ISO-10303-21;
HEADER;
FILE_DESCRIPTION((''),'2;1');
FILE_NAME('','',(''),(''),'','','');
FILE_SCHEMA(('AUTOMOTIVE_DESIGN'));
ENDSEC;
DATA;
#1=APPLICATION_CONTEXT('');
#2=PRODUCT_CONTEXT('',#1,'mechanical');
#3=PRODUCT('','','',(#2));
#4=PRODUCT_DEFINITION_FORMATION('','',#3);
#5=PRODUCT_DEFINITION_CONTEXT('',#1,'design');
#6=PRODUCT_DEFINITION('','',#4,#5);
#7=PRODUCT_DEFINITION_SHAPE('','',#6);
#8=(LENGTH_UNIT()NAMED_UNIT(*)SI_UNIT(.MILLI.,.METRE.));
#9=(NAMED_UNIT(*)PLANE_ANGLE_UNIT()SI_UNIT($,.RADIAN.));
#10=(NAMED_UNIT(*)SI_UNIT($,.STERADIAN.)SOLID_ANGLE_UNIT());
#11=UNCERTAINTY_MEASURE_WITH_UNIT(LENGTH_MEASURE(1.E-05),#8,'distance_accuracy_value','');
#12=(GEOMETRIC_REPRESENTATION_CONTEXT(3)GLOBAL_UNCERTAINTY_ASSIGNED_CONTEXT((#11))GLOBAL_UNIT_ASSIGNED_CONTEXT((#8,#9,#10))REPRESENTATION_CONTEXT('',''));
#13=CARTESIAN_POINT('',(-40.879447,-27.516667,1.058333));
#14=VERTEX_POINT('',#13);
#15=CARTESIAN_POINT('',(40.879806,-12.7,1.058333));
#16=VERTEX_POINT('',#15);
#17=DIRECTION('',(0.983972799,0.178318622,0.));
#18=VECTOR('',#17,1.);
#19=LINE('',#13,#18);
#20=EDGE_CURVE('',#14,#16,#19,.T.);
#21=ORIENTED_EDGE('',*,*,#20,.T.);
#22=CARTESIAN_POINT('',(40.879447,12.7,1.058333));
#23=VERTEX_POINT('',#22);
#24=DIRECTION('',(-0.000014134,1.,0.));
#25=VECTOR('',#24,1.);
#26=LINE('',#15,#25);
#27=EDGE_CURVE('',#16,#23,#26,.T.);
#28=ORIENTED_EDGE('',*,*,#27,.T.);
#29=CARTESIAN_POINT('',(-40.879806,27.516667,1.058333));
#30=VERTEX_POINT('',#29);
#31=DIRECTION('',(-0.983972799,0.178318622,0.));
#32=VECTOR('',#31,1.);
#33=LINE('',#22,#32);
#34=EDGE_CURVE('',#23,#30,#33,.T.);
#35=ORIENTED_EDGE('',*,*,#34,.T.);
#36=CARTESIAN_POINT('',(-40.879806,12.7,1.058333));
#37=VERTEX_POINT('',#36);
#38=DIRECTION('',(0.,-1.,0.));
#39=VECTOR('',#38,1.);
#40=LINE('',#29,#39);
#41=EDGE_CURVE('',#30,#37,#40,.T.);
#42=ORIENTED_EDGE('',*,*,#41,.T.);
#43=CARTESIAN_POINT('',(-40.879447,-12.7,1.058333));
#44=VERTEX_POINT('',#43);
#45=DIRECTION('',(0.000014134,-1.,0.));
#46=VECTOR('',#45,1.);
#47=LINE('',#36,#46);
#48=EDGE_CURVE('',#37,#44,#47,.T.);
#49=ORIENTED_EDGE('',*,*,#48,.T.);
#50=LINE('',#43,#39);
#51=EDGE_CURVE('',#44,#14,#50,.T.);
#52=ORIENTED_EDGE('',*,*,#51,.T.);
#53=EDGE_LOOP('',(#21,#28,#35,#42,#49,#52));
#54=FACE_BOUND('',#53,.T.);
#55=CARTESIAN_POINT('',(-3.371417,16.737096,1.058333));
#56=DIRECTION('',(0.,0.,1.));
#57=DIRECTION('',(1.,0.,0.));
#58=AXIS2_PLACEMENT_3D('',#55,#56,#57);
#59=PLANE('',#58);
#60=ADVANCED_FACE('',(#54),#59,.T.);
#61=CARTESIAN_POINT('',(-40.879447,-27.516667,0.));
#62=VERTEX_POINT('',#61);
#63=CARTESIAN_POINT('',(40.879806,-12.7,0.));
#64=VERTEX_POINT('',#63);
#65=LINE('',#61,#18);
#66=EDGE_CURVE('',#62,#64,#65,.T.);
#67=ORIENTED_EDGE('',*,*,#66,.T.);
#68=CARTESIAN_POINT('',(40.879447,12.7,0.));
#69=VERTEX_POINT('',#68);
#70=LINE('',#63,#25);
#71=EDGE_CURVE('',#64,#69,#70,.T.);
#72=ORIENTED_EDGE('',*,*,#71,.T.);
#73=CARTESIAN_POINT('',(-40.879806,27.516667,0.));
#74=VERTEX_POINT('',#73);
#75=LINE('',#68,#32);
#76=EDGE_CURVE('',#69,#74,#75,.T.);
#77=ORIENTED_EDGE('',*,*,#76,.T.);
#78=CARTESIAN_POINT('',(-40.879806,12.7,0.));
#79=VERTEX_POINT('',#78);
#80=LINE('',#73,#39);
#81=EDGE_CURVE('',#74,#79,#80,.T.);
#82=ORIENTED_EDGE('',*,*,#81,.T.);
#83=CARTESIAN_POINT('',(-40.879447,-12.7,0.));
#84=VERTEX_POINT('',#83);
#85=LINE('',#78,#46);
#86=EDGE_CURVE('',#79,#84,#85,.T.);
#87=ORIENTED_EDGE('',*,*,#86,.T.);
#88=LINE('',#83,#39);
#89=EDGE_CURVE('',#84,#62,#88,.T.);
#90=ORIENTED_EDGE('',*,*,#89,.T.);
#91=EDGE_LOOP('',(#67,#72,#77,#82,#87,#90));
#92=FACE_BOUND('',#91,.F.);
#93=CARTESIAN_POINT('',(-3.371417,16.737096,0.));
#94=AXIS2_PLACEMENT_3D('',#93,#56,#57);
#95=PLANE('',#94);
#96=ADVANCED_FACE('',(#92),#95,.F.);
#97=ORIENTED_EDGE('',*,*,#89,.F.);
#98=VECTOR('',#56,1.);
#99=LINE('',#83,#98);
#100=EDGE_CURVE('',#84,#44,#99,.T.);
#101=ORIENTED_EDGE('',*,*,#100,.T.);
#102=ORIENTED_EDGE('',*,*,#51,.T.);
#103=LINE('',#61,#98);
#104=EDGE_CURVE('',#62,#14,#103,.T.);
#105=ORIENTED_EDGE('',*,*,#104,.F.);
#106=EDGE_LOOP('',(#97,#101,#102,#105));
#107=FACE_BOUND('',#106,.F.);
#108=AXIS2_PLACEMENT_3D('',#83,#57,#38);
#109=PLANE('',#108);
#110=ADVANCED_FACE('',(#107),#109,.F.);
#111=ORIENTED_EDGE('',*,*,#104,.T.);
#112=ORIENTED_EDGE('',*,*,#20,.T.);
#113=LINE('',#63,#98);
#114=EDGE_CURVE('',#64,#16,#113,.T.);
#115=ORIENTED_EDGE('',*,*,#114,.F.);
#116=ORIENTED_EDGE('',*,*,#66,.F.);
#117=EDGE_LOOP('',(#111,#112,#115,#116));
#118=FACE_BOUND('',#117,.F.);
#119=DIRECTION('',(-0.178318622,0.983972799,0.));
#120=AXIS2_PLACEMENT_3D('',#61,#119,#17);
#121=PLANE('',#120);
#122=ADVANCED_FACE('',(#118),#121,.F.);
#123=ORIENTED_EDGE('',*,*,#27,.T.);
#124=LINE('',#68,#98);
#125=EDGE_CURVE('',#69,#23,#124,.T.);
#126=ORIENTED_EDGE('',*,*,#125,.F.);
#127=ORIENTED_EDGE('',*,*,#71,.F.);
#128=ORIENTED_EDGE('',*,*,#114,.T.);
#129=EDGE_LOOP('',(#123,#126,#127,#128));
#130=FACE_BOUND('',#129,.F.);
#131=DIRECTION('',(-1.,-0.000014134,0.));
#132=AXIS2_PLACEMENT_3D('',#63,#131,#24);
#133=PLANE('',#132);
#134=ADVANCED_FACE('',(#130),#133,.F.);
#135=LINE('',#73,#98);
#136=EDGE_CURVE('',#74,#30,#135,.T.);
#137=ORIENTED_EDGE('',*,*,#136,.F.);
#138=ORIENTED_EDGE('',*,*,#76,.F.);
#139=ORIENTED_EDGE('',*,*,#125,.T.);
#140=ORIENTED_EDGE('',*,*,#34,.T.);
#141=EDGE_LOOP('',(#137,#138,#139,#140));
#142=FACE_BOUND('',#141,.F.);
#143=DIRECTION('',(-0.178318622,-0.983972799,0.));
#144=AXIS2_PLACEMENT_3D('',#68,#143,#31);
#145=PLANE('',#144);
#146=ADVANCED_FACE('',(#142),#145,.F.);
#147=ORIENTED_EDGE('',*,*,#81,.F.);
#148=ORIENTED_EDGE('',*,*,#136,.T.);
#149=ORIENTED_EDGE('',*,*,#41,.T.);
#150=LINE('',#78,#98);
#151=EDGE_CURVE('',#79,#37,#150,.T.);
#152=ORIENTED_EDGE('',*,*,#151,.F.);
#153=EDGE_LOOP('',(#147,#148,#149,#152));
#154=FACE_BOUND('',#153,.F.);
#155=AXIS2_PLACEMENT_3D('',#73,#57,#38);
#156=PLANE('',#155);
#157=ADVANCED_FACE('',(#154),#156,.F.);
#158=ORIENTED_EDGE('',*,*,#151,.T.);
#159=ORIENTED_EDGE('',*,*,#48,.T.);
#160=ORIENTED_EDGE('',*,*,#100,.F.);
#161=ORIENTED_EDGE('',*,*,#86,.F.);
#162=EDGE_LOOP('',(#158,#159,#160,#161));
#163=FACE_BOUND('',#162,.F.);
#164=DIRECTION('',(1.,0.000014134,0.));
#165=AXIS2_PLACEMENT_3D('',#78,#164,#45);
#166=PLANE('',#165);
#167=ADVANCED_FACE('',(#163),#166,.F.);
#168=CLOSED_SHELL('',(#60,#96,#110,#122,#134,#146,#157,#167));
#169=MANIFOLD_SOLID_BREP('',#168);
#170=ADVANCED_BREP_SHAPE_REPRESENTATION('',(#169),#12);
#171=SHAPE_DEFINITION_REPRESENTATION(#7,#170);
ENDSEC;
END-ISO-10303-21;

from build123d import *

# Parameters (mm, degrees)
F1_DEPTH = 1.058333


with BuildPart() as f1:
    # F0 (on Top) → F1 (new body)
    with BuildSketch(Plane.XY):
        Polygon((-40.879806, 12.7), (40.879447, 12.7), (-40.879806, 27.516667), align=None)
        Polygon((40.879806, -12.7), (40.879447, 12.7), (-40.879806, 12.7), (-40.879447, -12.7), align=None)
        Polygon((-40.879447, -27.516667), (40.879806, -12.7), (-40.879447, -12.7), align=None)
    extrude(amount=F1_DEPTH)


solid = f1.part
